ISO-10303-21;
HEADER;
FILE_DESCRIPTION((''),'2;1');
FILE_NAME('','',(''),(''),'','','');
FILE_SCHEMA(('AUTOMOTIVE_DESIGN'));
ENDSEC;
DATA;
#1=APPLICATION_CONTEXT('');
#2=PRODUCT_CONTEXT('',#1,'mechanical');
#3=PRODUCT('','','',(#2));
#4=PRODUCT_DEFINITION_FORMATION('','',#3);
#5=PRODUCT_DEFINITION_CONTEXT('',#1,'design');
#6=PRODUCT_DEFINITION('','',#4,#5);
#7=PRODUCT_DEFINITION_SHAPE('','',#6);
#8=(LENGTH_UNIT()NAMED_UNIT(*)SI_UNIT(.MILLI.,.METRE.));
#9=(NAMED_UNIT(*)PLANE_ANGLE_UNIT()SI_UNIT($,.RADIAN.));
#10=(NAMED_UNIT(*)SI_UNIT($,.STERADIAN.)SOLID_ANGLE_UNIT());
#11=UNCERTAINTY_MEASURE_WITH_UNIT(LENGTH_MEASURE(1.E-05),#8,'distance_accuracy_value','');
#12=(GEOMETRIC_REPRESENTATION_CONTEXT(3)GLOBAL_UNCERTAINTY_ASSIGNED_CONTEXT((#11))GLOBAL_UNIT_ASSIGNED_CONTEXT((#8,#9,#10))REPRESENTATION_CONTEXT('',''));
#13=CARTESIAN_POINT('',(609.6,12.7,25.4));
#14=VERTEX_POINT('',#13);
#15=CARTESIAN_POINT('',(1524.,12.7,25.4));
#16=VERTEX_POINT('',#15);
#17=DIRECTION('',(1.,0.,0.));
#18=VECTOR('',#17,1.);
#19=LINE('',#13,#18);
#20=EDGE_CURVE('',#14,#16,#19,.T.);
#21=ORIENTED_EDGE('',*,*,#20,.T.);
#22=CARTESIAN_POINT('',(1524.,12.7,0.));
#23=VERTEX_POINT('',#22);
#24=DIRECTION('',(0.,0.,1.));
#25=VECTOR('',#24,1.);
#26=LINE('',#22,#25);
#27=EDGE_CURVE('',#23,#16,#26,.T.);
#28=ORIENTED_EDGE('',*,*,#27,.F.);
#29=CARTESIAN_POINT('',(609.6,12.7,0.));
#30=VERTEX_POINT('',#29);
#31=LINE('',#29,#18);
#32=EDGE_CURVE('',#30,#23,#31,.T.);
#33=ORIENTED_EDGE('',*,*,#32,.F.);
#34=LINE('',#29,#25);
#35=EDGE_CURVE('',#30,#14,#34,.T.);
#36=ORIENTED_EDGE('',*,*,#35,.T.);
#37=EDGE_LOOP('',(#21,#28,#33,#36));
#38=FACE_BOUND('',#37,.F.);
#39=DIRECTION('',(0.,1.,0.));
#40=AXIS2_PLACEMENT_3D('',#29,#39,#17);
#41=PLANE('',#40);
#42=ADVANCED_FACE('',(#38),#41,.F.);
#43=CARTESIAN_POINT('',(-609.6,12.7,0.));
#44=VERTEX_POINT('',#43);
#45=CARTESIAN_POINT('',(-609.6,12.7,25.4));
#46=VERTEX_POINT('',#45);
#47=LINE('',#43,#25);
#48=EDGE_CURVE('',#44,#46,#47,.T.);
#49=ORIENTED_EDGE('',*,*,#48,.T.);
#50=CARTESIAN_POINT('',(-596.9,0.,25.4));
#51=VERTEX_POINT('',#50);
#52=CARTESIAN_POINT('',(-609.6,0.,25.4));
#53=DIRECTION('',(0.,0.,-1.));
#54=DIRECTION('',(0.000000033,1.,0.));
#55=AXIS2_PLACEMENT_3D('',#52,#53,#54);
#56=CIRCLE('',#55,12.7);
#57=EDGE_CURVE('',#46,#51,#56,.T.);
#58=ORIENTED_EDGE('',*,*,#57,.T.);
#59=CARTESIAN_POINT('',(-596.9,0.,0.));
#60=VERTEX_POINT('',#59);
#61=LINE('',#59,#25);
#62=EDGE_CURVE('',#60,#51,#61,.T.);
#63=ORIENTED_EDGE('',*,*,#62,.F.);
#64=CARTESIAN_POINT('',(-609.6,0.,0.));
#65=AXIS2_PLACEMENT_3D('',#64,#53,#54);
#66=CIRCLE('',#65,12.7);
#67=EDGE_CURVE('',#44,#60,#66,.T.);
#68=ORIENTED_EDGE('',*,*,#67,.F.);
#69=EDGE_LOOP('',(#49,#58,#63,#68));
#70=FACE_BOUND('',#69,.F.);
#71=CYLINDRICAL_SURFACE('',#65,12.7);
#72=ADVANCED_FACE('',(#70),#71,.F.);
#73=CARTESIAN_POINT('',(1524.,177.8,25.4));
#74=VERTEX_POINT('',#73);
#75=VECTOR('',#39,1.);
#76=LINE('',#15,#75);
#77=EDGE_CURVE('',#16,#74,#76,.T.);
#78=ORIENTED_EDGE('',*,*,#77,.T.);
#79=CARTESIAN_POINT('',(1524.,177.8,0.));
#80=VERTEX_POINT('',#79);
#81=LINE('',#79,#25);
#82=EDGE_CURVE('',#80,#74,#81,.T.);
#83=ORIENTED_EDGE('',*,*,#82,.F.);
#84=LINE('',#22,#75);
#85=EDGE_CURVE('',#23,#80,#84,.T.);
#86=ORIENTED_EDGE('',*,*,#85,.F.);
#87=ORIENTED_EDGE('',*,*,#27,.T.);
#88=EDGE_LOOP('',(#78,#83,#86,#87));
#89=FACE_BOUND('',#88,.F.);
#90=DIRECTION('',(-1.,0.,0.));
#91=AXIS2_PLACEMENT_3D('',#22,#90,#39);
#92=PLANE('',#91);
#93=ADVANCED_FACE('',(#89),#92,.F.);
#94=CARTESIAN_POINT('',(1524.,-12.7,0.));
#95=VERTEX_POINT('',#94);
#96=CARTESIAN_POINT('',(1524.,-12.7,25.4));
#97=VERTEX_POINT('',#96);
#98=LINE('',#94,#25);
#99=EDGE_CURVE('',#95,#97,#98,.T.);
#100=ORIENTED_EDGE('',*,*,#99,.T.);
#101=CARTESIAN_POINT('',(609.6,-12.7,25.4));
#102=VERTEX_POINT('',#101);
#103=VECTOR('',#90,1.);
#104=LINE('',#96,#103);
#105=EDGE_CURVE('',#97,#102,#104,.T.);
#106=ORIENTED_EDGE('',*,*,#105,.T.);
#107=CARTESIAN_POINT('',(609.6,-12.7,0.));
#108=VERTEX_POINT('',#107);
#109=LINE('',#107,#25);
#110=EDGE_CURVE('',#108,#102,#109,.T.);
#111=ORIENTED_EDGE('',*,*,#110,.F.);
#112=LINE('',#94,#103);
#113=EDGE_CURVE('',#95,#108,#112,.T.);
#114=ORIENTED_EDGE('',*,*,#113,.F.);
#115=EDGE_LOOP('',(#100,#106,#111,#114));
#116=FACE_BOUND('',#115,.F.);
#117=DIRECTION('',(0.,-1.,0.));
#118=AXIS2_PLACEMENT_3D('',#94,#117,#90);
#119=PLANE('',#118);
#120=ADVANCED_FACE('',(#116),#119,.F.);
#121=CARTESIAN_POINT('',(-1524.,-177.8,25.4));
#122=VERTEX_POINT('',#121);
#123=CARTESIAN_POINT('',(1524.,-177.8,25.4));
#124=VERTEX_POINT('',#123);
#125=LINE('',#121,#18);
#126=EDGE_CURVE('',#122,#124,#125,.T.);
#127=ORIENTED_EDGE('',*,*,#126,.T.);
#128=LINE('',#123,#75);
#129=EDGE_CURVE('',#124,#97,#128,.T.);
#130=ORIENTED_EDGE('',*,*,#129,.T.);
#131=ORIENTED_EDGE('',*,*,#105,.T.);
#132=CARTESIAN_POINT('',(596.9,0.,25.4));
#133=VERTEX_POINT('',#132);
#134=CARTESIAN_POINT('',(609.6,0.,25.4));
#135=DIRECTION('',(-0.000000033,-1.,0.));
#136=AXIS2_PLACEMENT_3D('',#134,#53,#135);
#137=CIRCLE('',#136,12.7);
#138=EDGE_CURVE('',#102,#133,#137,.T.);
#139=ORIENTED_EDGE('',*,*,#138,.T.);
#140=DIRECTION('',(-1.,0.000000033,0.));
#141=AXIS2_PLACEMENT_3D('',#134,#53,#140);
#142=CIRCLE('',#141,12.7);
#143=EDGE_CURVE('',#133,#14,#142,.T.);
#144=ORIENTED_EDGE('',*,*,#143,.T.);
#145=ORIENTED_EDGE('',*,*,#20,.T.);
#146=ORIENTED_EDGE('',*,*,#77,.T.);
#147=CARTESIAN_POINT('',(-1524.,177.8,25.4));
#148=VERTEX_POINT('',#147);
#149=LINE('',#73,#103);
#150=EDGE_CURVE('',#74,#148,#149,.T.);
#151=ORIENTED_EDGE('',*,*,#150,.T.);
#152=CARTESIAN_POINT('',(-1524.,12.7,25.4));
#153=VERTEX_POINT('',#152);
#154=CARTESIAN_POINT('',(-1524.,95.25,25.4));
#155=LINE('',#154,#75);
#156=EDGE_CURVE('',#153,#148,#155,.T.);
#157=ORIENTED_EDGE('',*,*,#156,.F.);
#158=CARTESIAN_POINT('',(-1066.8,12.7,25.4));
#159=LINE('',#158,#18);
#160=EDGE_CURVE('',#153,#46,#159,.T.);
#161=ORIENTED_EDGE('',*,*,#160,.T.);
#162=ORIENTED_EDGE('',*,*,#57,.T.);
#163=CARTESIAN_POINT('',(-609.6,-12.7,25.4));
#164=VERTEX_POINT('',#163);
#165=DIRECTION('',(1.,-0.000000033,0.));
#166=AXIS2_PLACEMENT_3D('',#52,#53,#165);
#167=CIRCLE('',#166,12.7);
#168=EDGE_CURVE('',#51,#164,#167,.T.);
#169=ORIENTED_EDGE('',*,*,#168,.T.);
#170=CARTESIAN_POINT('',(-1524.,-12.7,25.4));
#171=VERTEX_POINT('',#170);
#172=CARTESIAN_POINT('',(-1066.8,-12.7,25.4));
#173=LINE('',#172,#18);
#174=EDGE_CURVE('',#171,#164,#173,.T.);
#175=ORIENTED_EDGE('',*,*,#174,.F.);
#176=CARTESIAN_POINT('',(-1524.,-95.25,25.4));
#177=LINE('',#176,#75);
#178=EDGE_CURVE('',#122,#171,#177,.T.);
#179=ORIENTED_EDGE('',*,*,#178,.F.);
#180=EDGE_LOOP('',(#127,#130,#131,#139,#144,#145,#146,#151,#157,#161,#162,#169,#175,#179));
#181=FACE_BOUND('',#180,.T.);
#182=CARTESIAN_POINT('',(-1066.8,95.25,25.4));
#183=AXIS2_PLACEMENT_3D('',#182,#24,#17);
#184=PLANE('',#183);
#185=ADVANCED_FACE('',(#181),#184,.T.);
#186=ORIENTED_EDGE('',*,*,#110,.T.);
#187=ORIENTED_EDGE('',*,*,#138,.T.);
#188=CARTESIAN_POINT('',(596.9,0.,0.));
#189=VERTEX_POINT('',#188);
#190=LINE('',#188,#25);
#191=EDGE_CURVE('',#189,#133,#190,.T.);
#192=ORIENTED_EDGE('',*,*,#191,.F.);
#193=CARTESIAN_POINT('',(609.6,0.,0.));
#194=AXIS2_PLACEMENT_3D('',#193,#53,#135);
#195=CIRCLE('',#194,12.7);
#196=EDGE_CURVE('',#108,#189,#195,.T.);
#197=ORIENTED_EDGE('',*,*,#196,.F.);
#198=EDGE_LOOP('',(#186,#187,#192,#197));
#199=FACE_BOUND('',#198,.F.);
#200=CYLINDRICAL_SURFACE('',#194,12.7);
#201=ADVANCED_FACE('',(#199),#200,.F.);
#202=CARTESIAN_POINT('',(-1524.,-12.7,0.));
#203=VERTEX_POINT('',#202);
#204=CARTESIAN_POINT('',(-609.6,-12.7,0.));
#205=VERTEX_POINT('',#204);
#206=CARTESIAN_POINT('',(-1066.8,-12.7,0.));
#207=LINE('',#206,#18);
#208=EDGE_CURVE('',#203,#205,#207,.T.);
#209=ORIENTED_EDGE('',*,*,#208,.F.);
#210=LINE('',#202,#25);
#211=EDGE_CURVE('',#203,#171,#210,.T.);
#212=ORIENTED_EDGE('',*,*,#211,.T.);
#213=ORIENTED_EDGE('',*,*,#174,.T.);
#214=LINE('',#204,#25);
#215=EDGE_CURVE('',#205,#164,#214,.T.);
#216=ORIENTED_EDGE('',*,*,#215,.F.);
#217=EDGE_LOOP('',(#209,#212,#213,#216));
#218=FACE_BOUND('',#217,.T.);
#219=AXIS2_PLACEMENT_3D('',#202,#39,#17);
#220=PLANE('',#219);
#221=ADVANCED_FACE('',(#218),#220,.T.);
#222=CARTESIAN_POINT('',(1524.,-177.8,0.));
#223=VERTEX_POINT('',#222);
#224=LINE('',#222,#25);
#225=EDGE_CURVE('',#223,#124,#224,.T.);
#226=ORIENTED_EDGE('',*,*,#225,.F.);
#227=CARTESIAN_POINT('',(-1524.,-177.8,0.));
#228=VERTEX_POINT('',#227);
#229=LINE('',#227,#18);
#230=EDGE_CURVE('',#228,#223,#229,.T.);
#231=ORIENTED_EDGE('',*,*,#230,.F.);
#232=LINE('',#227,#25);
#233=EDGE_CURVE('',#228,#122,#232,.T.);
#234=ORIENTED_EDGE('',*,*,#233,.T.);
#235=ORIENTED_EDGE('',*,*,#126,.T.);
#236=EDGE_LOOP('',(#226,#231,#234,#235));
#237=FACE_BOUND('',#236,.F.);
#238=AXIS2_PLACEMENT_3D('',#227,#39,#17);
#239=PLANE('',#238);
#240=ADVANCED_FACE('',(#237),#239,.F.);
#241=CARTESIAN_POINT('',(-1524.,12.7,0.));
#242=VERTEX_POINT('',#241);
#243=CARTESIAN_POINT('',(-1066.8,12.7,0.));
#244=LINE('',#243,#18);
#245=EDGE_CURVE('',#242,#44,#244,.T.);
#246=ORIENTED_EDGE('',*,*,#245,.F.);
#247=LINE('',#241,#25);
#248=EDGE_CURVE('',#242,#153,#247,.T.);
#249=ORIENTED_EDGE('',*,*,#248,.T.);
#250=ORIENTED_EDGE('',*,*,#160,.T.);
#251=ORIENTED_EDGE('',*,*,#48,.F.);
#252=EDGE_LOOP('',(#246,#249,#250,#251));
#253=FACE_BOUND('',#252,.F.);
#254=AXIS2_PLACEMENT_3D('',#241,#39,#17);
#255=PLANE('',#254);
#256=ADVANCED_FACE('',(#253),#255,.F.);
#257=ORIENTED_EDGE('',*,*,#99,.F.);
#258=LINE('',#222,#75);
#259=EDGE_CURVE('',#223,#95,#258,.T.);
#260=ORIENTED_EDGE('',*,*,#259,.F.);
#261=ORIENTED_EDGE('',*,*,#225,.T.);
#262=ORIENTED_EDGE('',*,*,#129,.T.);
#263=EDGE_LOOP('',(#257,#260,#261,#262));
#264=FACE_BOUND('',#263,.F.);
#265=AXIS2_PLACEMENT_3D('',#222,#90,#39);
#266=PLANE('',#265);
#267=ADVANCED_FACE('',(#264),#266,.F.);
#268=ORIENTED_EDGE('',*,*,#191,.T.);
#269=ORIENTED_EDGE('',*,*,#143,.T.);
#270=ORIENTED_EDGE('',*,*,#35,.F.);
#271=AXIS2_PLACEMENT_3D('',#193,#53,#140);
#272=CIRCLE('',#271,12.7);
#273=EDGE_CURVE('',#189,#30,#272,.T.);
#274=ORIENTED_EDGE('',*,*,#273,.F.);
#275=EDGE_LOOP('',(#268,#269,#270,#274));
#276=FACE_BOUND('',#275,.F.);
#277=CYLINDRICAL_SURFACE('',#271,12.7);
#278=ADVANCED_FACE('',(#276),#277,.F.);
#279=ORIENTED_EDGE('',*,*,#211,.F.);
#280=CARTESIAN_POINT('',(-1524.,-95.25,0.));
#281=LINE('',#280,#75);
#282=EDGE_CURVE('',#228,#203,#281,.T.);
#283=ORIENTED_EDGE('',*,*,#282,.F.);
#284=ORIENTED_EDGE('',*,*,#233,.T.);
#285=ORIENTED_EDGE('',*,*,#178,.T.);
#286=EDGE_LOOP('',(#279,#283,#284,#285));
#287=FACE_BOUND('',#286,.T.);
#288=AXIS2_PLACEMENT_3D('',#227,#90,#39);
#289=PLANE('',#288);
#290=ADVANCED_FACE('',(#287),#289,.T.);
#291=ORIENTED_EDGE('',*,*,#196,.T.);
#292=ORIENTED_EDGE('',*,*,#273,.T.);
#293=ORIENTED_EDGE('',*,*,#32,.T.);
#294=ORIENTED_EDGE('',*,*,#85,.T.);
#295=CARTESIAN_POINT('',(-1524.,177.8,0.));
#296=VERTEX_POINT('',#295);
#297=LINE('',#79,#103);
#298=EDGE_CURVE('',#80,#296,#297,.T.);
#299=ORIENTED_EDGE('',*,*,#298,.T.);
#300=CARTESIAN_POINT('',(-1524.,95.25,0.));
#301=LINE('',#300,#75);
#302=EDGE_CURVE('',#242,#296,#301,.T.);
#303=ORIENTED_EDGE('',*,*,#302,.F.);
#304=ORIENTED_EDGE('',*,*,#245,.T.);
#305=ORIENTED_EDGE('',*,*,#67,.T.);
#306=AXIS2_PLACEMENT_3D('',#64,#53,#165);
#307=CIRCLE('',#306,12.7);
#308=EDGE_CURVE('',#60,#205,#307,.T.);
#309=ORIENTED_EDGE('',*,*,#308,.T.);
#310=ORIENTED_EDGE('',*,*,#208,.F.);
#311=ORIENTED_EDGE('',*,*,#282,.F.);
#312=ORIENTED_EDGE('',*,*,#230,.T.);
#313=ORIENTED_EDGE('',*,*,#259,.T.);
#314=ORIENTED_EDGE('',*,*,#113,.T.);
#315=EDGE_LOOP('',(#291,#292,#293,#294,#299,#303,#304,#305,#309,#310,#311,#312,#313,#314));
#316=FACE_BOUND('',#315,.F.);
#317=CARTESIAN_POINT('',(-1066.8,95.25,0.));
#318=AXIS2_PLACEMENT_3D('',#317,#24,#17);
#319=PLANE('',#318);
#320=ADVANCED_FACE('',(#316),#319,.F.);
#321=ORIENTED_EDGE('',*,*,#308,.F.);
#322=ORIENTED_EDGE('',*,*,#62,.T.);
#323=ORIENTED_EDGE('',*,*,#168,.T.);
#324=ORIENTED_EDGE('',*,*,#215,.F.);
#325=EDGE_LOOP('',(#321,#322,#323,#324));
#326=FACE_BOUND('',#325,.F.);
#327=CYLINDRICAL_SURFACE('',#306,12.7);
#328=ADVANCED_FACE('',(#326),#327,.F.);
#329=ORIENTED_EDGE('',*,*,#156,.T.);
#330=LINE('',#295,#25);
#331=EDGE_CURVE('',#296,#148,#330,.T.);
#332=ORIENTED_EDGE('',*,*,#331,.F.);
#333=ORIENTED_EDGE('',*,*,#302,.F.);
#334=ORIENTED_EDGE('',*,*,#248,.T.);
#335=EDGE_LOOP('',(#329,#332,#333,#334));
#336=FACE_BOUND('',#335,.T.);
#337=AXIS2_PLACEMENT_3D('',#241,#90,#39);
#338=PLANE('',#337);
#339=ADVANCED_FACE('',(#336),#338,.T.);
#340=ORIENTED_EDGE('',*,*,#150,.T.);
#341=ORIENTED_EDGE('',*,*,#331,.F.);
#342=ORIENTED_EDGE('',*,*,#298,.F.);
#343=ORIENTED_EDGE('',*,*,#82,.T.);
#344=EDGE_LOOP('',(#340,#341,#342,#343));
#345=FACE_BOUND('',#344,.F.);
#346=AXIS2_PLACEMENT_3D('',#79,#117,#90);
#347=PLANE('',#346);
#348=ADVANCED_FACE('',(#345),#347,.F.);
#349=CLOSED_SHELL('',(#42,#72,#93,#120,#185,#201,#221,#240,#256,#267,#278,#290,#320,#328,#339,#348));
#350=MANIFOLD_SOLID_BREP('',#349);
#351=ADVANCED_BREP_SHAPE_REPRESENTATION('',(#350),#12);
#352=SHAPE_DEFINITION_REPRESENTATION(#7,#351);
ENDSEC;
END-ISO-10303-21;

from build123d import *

# Parameters (mm, degrees)
F0_W     = 914.4
F0_H     = 165.1
F1_DEPTH = 25.4


with BuildPart() as f1:
    # F0 (on Top) → F1 (new body)
    with BuildSketch(Plane.XY):
        with Locations((-1066.8, 95.25)):
            Rectangle(F0_W, F0_H)
        with BuildLine():
            Line((1524, 177.8), (-609.6, 177.8))
            Line((-609.6, 177.8), (-609.6, 12.7))
            ThreePointArc((-609.6, 12.7), (-600.619744, 8.980256), (-596.9, 0))
            Line((-596.9, 0), (596.9, 0))
            ThreePointArc((596.9, 0), (600.619744, 8.980256), (609.6, 12.7))
            Line((609.6, 12.7), (1524, 12.7))
            Line((1524, 12.7), (1524, 177.8))
        make_face()
        with BuildLine():
            Line((596.9, 0), (-596.9, 0))
            ThreePointArc((-596.9, 0), (-600.619744, -8.980256), (-609.6, -12.7))
            Line((-609.6, -12.7), (-609.6, -177.8))
            Line((-609.6, -177.8), (1524, -177.8))
            Line((1524, -177.8), (1524, -12.7))
            Line((1524, -12.7), (609.6, -12.7))
            ThreePointArc((609.6, -12.7), (600.619744, -8.980256), (596.9, 0))
        make_face()
        with Locations((-1066.8, -95.25)):
            Rectangle(F0_W, F0_H)
    extrude(amount=F1_DEPTH)


solid = f1.part
